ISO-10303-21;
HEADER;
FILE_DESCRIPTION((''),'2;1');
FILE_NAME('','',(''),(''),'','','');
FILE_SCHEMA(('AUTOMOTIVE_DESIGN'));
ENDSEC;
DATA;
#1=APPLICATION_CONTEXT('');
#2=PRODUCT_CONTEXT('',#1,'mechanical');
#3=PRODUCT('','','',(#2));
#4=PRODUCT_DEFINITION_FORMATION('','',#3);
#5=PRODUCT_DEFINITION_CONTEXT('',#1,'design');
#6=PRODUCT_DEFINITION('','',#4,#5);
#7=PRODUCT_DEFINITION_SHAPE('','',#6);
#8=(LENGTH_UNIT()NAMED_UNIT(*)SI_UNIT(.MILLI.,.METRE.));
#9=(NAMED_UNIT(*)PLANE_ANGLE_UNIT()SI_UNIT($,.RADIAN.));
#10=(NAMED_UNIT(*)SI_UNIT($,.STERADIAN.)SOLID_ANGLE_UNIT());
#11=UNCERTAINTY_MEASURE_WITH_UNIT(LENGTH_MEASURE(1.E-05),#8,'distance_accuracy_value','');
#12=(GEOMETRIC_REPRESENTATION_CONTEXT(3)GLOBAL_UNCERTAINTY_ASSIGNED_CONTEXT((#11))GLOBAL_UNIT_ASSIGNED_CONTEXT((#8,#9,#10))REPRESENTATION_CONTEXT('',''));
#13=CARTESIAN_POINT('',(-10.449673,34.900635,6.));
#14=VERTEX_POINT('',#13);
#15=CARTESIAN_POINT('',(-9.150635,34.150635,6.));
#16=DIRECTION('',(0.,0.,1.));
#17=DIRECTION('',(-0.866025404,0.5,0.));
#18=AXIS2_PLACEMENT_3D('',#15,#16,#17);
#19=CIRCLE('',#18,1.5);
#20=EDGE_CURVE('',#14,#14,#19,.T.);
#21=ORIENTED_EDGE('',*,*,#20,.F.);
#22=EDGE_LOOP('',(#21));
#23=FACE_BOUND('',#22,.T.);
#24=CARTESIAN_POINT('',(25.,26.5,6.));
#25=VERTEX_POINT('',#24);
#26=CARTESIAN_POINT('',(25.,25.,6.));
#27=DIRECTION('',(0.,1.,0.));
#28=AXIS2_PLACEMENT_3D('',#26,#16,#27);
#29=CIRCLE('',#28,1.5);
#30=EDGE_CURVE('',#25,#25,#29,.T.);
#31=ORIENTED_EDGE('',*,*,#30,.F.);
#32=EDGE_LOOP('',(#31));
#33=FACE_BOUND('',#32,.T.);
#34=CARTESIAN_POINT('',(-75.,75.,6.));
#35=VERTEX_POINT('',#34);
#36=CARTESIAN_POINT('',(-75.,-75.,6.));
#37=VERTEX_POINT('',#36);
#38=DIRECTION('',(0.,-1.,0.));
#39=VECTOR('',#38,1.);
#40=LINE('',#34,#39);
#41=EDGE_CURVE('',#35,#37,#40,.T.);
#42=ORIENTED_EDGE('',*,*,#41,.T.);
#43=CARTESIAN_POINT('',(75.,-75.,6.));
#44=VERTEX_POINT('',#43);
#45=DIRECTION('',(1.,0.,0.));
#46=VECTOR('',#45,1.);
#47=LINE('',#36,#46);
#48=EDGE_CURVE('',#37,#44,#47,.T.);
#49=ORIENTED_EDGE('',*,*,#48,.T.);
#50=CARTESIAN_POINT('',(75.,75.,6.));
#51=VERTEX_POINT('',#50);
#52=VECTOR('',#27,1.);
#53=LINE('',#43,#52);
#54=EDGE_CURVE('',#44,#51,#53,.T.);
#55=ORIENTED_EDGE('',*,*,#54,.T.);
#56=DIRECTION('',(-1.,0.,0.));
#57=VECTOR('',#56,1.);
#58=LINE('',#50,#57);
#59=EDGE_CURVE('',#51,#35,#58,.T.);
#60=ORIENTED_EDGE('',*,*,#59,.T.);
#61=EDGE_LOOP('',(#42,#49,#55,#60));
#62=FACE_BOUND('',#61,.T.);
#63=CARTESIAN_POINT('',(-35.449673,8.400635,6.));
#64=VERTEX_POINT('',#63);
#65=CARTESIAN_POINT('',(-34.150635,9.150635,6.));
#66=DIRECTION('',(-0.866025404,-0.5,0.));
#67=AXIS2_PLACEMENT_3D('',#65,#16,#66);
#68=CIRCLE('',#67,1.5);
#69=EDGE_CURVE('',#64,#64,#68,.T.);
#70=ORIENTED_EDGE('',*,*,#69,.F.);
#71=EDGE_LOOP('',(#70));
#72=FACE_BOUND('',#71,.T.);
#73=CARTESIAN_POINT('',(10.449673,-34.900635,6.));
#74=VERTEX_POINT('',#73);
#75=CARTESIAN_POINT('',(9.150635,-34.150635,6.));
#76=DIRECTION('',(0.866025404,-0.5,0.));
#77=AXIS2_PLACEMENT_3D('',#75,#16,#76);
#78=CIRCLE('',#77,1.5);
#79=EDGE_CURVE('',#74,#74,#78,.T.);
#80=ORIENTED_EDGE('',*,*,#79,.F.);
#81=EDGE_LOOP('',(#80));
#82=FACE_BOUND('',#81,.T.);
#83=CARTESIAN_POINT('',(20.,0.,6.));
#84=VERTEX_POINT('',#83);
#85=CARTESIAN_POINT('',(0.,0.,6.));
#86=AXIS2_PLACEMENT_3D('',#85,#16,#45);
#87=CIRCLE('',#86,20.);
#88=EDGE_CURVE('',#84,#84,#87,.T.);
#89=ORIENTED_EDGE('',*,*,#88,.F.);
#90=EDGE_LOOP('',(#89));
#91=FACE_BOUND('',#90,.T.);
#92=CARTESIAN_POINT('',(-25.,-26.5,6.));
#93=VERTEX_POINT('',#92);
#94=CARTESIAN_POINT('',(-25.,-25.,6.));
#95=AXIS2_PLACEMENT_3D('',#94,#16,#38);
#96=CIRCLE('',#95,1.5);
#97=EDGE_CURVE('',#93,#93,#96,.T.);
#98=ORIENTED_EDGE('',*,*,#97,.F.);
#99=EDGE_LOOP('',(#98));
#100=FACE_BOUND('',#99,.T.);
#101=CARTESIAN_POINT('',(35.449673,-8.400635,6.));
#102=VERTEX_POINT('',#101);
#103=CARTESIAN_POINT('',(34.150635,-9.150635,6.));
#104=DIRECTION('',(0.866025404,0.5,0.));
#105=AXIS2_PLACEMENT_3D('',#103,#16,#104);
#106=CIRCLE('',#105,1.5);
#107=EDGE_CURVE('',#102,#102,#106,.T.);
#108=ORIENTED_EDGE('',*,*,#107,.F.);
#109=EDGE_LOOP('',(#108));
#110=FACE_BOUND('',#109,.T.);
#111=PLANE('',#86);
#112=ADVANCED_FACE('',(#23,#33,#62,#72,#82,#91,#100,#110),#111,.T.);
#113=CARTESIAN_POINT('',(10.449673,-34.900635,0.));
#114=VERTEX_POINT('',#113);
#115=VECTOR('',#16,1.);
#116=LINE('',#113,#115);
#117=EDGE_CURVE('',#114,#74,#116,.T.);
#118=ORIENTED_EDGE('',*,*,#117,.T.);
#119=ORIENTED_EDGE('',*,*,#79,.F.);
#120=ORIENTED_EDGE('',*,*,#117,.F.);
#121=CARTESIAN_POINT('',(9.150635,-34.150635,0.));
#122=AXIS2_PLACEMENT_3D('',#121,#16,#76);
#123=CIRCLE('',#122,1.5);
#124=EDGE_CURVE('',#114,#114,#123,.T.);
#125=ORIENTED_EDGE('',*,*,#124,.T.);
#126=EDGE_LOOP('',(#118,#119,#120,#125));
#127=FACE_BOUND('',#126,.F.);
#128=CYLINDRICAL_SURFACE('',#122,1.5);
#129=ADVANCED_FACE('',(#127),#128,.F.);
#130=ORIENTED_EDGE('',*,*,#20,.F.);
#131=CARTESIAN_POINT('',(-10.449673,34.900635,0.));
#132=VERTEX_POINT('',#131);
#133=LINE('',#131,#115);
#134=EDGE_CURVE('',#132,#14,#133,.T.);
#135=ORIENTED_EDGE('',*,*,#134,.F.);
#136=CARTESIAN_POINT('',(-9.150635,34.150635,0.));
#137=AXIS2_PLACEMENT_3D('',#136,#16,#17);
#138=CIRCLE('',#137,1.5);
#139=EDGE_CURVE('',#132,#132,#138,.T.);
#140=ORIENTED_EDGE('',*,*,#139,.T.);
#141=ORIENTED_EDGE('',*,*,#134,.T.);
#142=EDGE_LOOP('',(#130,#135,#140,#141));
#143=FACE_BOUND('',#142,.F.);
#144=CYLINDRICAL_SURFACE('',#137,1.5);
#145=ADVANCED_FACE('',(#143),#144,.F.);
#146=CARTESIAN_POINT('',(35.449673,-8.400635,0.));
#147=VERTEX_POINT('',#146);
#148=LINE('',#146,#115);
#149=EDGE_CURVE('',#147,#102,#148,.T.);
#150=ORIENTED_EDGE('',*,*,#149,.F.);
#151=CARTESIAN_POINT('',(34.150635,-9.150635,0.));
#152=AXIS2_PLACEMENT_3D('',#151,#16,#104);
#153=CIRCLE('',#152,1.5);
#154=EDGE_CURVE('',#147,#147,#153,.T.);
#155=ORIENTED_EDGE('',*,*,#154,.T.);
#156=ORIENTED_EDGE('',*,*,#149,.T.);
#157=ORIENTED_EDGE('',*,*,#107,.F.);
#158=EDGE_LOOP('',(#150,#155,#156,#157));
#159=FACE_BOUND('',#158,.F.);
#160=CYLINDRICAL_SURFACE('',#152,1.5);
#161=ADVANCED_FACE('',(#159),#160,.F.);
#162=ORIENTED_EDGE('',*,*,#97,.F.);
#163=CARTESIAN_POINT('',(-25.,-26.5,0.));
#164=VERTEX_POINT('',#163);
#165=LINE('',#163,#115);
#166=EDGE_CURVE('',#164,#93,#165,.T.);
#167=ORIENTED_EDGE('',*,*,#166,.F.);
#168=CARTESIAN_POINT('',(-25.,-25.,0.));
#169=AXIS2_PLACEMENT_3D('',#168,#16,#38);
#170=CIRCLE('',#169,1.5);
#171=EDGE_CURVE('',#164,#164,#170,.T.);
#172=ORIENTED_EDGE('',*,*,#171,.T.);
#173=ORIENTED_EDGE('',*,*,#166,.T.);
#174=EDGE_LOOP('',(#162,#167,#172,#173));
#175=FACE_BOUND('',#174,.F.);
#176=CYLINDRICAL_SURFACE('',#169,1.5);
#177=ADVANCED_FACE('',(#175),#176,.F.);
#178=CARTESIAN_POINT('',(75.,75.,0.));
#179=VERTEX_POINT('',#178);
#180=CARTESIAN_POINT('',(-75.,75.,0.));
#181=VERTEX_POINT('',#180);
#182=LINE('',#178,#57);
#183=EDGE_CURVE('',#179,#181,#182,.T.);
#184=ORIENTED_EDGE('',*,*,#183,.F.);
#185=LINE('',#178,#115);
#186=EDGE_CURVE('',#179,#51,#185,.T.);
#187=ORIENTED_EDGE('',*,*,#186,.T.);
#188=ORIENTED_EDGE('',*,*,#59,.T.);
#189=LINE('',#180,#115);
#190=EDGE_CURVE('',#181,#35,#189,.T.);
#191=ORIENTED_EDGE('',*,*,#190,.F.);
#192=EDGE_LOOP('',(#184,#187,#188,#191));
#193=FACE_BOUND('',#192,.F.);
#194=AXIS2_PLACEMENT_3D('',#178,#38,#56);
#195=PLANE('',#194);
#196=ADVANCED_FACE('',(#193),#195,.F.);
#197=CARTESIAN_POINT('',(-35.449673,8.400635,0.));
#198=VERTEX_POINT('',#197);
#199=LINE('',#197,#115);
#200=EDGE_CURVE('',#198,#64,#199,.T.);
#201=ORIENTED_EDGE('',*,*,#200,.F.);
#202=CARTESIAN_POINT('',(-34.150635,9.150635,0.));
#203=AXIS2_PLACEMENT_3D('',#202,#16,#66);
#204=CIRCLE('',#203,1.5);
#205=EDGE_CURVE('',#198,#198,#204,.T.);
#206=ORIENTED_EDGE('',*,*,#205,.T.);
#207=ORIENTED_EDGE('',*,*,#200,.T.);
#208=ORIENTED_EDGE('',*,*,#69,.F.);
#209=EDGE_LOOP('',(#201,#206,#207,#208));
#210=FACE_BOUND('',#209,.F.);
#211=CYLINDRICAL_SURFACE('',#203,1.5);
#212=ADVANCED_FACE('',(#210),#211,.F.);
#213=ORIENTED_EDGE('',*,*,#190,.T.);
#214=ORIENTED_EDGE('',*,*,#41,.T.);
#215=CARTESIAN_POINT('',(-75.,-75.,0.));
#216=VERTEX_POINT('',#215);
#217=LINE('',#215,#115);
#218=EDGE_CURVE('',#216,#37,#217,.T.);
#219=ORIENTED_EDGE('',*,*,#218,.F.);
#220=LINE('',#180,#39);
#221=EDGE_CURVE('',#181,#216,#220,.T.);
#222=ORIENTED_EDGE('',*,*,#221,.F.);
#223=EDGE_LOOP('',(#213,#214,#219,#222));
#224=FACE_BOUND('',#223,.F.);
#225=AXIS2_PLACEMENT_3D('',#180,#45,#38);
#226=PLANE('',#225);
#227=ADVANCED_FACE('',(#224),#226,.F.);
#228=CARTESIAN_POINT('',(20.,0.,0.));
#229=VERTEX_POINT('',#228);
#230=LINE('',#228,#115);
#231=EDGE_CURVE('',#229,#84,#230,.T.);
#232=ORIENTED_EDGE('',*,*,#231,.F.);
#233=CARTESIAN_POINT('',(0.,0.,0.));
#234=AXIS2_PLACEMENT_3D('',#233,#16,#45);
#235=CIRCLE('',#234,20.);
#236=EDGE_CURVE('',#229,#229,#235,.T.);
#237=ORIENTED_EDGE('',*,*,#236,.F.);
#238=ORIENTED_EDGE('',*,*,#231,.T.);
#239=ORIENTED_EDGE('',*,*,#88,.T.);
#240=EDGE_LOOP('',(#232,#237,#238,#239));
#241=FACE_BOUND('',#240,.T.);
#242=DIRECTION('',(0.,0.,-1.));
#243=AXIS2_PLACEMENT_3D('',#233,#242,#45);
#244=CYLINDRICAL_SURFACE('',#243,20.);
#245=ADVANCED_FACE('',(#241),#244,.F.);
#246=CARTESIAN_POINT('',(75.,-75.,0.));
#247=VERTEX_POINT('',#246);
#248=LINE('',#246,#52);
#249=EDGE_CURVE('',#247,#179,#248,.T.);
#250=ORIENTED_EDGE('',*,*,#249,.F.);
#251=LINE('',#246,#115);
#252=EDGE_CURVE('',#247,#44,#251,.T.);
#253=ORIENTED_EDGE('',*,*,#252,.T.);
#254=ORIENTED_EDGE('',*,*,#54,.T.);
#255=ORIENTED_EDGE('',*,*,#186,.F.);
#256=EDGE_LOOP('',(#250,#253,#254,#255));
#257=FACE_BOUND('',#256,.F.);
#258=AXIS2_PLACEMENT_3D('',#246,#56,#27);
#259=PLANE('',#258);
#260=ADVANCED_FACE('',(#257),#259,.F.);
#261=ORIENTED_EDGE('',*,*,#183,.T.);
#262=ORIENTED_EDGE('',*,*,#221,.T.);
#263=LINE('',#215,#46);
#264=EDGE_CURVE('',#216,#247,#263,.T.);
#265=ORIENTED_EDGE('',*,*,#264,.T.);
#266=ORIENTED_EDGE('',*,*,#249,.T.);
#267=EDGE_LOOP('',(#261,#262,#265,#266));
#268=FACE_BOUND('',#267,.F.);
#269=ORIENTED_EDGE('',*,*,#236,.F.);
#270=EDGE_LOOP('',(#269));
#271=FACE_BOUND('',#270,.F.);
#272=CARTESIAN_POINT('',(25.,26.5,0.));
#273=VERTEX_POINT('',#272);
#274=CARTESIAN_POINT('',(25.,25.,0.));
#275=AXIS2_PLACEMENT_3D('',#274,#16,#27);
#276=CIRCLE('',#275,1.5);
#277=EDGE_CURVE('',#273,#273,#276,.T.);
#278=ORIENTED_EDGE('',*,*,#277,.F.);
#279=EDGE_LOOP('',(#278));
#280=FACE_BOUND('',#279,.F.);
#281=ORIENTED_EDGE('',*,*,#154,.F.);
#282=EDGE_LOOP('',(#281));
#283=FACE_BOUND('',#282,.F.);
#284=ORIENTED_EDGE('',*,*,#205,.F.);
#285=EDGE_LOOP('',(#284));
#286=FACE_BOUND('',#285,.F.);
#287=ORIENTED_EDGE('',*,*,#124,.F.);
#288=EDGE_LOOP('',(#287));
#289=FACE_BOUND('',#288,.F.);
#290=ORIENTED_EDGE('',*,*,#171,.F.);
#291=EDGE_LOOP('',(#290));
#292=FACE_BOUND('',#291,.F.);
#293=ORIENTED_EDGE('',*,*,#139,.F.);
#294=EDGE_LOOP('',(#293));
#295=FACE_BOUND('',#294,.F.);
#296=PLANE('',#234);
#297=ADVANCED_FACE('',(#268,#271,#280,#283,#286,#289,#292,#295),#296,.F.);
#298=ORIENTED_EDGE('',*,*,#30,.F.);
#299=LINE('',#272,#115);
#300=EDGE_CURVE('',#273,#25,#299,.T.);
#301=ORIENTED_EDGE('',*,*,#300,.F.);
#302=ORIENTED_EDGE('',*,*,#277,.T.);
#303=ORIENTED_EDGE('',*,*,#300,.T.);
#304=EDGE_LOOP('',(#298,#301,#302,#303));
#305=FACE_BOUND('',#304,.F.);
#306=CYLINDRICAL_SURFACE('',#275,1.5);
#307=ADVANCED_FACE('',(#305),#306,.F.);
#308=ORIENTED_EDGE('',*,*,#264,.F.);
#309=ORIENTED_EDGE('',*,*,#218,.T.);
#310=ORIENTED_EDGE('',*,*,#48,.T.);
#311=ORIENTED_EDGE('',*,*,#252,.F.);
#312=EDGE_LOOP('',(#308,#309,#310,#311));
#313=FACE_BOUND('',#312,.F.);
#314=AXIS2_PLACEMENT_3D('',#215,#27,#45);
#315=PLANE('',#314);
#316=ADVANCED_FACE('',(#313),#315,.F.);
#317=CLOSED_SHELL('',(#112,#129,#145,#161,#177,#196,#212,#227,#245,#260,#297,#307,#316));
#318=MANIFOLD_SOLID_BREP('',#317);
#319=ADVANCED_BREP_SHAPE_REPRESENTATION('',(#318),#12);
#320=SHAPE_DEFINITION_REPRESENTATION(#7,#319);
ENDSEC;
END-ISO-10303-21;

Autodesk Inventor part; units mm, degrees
ref_plane "YZ Plane" through (0, 0, 0) normal (1, 0, 0) x (0, 1, 0)
ref_plane "XZ Plane" through (0, 0, 0) normal (0, 1, 0) x (-1, 0, 0)
ref_plane "XY Plane" through (0, 0, 0) normal (0, 0, 1) x (1, 0, 0)
sketch "Sketch1" plane through (0, 0, 0) normal (0, 0, 1) x (1, 0, 0)
  line L0 (-75, -75) -> (75, -75)
  line L1 (75, -75) -> (75, 75)
  line L2 (75, 75) -> (-75, 75)
  line L3 (-75, 75) -> (-75, -75)
  line L4 (-75, -75) -> (75, 75) construction
  line L5 (75, -75) -> (-75, 75) construction
  circle A0 centre (0, 0) radius 20
  point P0 (25, 25)
  dimension "d0" = 150
  dimension "d1" = 150
  dimension "d2" = 40
  dimension "d5" = 25
extrude "Extrusion1" add sketch "Sketch1" along normal blind 6
hole "Hole1" at (25, 25, 0) direction (0, 0, 1) diameter 3 end through all
pattern_circular "Circular Pattern1" count 6 over 360 about axis through (0, 0, 0) along (0, 0, 1) of "Hole1"
properties part number "base_plate" material "Plywood, Finish"
